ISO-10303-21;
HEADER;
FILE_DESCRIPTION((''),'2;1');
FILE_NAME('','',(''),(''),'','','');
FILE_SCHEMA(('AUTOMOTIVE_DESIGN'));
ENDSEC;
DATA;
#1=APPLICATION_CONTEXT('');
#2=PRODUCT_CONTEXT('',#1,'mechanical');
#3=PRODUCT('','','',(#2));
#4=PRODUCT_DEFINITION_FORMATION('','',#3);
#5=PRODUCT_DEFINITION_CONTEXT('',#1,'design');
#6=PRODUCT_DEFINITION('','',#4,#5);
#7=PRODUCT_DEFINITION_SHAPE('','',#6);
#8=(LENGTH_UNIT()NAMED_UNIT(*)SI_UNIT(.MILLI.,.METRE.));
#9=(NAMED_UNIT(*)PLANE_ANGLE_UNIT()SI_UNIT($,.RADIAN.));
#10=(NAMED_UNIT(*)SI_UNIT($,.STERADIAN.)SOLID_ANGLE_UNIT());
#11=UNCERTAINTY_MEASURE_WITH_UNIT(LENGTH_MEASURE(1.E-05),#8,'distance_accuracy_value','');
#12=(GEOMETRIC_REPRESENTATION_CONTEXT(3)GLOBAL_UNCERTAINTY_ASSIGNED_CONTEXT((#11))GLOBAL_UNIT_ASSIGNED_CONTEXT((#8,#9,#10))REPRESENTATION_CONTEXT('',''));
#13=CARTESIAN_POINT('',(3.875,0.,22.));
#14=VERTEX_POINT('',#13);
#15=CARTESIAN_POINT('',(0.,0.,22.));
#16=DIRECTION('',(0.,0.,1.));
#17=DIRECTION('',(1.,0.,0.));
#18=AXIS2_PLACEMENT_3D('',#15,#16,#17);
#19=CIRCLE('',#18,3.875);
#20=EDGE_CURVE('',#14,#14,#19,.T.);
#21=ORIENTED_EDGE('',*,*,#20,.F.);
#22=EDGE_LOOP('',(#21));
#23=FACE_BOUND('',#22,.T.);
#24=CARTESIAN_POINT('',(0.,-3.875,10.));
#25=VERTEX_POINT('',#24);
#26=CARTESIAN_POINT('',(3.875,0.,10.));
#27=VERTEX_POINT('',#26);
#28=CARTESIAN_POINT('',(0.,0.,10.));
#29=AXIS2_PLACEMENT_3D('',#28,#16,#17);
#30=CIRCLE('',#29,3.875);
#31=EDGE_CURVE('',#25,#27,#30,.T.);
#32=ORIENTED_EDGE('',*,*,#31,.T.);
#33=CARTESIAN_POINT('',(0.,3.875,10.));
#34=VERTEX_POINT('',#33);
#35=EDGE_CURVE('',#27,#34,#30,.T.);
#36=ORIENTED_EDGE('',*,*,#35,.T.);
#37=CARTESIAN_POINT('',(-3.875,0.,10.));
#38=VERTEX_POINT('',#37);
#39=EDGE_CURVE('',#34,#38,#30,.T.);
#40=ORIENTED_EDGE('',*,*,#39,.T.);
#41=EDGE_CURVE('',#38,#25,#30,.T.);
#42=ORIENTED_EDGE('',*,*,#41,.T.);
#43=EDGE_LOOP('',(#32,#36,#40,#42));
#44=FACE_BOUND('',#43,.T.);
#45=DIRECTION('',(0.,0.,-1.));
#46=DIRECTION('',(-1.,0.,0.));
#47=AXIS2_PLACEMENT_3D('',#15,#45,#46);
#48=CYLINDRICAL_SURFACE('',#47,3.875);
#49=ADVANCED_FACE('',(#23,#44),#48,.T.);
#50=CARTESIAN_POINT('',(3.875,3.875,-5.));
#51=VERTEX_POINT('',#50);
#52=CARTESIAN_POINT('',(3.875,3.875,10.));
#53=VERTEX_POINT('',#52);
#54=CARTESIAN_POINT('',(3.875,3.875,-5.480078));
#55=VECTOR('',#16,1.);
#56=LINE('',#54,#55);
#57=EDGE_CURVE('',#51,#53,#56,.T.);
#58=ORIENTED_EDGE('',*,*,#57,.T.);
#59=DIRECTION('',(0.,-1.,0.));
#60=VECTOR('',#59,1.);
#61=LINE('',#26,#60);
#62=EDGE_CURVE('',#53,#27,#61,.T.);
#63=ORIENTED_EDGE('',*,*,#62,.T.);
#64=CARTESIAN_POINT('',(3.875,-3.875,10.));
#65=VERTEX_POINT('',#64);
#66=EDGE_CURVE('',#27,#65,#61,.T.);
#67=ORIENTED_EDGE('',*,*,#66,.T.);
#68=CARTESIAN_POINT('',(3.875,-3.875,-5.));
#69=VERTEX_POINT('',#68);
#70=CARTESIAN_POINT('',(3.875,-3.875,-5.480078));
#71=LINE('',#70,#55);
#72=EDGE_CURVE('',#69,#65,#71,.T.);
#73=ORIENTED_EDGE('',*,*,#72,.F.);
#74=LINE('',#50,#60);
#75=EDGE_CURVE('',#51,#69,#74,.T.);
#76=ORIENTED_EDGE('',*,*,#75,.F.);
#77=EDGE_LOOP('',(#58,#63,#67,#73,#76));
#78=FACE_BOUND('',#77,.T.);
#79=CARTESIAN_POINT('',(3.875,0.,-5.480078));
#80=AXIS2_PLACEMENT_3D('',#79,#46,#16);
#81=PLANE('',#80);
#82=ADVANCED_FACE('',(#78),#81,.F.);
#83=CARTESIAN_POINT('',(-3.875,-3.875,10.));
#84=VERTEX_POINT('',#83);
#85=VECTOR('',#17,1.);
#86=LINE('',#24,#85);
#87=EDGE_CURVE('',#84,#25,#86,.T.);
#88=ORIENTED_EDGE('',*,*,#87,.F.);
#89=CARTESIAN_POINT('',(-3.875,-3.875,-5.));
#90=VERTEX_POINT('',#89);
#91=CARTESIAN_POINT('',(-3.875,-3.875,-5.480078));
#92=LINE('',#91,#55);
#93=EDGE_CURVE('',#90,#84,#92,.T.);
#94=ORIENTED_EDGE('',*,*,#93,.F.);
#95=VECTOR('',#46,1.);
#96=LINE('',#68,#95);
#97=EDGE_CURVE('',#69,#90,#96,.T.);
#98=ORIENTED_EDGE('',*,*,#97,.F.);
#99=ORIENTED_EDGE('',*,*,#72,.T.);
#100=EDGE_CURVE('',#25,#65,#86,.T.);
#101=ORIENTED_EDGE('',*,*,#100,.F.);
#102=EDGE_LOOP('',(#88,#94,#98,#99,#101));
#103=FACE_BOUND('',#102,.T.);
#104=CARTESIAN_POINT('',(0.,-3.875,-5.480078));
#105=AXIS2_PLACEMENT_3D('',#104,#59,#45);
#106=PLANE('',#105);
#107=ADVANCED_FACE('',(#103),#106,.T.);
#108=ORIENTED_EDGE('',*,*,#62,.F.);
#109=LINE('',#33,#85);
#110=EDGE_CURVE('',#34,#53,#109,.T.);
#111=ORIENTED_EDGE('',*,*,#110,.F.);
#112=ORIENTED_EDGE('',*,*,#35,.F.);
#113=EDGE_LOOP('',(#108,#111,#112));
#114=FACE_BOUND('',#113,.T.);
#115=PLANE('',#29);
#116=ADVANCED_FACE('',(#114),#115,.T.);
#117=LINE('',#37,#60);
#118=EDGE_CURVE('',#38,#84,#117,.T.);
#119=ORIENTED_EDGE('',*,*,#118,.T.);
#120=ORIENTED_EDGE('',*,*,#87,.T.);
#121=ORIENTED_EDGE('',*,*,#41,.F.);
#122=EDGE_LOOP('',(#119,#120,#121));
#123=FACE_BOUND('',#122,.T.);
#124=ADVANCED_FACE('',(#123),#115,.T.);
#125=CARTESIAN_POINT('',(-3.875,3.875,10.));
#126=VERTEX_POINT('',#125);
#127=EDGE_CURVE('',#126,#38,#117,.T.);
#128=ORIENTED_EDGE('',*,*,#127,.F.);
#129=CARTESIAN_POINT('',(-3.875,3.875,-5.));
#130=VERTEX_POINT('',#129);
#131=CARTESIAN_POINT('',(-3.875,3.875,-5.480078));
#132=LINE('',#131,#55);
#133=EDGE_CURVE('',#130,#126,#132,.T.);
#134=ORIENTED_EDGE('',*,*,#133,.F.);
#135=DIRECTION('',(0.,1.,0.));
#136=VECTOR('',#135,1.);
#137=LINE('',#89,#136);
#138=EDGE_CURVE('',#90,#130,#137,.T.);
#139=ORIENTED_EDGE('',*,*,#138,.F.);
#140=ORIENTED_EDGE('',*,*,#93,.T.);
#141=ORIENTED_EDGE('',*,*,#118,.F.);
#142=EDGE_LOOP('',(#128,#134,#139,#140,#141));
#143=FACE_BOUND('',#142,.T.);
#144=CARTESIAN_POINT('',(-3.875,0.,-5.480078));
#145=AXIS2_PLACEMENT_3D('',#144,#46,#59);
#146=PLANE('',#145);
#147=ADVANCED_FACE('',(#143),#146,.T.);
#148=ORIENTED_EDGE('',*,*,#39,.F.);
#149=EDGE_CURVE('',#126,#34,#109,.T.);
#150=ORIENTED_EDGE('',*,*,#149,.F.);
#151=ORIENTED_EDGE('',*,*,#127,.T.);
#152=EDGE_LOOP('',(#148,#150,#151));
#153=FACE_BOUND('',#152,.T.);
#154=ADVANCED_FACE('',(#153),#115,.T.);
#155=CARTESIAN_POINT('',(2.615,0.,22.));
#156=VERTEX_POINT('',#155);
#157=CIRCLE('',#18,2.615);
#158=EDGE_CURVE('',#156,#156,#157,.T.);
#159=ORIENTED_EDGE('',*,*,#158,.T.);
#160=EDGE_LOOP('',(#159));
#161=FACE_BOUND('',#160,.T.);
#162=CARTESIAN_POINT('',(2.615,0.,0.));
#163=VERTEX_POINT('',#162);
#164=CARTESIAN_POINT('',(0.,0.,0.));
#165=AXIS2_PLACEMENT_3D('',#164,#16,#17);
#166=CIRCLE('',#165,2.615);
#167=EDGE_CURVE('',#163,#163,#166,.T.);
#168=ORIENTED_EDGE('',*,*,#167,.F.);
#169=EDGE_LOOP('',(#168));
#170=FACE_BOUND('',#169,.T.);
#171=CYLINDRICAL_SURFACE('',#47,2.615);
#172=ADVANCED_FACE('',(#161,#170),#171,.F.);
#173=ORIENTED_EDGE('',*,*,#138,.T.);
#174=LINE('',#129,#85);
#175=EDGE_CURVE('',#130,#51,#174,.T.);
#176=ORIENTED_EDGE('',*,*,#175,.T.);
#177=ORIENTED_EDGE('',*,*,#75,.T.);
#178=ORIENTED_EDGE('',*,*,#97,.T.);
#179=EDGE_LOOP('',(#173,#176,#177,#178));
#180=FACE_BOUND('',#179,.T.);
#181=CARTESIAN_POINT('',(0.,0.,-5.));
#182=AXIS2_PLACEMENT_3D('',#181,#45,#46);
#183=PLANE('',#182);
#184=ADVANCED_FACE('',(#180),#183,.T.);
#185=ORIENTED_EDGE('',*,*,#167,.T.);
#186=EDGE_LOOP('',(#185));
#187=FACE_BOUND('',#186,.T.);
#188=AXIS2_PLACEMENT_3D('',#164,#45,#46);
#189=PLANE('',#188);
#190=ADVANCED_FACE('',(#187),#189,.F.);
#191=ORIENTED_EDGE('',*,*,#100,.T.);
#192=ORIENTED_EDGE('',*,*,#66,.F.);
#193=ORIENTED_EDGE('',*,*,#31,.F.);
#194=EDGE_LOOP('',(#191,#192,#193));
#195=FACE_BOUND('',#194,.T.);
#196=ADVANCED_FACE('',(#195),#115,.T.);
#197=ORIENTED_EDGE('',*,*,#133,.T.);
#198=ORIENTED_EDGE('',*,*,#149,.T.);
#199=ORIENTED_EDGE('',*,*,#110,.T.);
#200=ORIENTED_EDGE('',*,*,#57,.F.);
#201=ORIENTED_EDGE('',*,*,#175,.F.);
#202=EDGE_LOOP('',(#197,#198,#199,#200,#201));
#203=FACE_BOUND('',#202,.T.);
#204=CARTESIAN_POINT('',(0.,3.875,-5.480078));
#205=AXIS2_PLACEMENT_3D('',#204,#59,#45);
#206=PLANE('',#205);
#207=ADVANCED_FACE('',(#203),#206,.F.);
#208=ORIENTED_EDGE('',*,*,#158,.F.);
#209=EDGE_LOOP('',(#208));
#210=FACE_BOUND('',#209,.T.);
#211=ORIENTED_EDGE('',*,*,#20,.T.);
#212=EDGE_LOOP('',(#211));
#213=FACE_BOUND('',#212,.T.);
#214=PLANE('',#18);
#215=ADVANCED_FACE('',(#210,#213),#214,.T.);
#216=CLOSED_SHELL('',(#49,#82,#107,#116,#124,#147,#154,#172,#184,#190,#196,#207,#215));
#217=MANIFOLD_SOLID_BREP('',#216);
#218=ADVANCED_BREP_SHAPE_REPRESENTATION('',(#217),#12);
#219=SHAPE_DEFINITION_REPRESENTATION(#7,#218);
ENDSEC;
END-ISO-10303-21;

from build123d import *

# Parameters (mm, degrees)
SKETCH1_R           = 3.875
SKETCH1_R_2         = 2.615
BOSS_EXTRUDE1_DEPTH = 22
BOSS_EXTRUDE2_DEPTH = 10
SKETCH4_W           = 7.75
SKETCH4_H           = 7.75
BOSS_EXTRUDE3_DEPTH = 5


with BuildPart() as part:
    # Sketch1 → Boss-Extrude1 (new body)
    with BuildSketch(Plane.XY):
        Circle(SKETCH1_R)
        Circle(SKETCH1_R_2, mode=Mode.SUBTRACT)
    extrude(amount=BOSS_EXTRUDE1_DEPTH)

    # Sketch2 → Boss-Extrude2 (add)
    with BuildSketch(Plane.XY.offset(10)):
        with BuildLine():
            Line((0, 3.875), (-3.875, 3.875))
            Line((-3.875, 3.875), (-3.875, 0))
            ThreePointArc((-3.875, 0), (-2.740038777, 2.740038777), (0, 3.875))
        make_face()
        with BuildLine():
            ThreePointArc((0, -3.875), (-2.740038777, -2.740038777), (-3.875, 0))
            Line((-3.875, 0), (-3.875, -3.875))
            Line((-3.875, -3.875), (0, -3.875))
        make_face()
        with BuildLine():
            Line((3.875, 3.875), (0, 3.875))
            ThreePointArc((0, 3.875), (2.740038777, 2.740038777), (3.875, 0))
            Line((3.875, 0), (3.875, 3.875))
        make_face()
        with BuildLine():
            Line((3.875, -3.875), (3.875, 0))
            ThreePointArc((3.875, 0), (2.740038777, -2.740038777), (0, -3.875))
            Line((0, -3.875), (3.875, -3.875))
        make_face()
    extrude(amount=-BOSS_EXTRUDE2_DEPTH)

    # Sketch4 → Boss-Extrude3 (add)
    with BuildSketch(Plane(origin=(0, 0, 0), x_dir=(-1, 0, 0), z_dir=(0, 0, -1))):
        Rectangle(SKETCH4_W, SKETCH4_H)
    extrude(amount=BOSS_EXTRUDE3_DEPTH)


solid = part.part
